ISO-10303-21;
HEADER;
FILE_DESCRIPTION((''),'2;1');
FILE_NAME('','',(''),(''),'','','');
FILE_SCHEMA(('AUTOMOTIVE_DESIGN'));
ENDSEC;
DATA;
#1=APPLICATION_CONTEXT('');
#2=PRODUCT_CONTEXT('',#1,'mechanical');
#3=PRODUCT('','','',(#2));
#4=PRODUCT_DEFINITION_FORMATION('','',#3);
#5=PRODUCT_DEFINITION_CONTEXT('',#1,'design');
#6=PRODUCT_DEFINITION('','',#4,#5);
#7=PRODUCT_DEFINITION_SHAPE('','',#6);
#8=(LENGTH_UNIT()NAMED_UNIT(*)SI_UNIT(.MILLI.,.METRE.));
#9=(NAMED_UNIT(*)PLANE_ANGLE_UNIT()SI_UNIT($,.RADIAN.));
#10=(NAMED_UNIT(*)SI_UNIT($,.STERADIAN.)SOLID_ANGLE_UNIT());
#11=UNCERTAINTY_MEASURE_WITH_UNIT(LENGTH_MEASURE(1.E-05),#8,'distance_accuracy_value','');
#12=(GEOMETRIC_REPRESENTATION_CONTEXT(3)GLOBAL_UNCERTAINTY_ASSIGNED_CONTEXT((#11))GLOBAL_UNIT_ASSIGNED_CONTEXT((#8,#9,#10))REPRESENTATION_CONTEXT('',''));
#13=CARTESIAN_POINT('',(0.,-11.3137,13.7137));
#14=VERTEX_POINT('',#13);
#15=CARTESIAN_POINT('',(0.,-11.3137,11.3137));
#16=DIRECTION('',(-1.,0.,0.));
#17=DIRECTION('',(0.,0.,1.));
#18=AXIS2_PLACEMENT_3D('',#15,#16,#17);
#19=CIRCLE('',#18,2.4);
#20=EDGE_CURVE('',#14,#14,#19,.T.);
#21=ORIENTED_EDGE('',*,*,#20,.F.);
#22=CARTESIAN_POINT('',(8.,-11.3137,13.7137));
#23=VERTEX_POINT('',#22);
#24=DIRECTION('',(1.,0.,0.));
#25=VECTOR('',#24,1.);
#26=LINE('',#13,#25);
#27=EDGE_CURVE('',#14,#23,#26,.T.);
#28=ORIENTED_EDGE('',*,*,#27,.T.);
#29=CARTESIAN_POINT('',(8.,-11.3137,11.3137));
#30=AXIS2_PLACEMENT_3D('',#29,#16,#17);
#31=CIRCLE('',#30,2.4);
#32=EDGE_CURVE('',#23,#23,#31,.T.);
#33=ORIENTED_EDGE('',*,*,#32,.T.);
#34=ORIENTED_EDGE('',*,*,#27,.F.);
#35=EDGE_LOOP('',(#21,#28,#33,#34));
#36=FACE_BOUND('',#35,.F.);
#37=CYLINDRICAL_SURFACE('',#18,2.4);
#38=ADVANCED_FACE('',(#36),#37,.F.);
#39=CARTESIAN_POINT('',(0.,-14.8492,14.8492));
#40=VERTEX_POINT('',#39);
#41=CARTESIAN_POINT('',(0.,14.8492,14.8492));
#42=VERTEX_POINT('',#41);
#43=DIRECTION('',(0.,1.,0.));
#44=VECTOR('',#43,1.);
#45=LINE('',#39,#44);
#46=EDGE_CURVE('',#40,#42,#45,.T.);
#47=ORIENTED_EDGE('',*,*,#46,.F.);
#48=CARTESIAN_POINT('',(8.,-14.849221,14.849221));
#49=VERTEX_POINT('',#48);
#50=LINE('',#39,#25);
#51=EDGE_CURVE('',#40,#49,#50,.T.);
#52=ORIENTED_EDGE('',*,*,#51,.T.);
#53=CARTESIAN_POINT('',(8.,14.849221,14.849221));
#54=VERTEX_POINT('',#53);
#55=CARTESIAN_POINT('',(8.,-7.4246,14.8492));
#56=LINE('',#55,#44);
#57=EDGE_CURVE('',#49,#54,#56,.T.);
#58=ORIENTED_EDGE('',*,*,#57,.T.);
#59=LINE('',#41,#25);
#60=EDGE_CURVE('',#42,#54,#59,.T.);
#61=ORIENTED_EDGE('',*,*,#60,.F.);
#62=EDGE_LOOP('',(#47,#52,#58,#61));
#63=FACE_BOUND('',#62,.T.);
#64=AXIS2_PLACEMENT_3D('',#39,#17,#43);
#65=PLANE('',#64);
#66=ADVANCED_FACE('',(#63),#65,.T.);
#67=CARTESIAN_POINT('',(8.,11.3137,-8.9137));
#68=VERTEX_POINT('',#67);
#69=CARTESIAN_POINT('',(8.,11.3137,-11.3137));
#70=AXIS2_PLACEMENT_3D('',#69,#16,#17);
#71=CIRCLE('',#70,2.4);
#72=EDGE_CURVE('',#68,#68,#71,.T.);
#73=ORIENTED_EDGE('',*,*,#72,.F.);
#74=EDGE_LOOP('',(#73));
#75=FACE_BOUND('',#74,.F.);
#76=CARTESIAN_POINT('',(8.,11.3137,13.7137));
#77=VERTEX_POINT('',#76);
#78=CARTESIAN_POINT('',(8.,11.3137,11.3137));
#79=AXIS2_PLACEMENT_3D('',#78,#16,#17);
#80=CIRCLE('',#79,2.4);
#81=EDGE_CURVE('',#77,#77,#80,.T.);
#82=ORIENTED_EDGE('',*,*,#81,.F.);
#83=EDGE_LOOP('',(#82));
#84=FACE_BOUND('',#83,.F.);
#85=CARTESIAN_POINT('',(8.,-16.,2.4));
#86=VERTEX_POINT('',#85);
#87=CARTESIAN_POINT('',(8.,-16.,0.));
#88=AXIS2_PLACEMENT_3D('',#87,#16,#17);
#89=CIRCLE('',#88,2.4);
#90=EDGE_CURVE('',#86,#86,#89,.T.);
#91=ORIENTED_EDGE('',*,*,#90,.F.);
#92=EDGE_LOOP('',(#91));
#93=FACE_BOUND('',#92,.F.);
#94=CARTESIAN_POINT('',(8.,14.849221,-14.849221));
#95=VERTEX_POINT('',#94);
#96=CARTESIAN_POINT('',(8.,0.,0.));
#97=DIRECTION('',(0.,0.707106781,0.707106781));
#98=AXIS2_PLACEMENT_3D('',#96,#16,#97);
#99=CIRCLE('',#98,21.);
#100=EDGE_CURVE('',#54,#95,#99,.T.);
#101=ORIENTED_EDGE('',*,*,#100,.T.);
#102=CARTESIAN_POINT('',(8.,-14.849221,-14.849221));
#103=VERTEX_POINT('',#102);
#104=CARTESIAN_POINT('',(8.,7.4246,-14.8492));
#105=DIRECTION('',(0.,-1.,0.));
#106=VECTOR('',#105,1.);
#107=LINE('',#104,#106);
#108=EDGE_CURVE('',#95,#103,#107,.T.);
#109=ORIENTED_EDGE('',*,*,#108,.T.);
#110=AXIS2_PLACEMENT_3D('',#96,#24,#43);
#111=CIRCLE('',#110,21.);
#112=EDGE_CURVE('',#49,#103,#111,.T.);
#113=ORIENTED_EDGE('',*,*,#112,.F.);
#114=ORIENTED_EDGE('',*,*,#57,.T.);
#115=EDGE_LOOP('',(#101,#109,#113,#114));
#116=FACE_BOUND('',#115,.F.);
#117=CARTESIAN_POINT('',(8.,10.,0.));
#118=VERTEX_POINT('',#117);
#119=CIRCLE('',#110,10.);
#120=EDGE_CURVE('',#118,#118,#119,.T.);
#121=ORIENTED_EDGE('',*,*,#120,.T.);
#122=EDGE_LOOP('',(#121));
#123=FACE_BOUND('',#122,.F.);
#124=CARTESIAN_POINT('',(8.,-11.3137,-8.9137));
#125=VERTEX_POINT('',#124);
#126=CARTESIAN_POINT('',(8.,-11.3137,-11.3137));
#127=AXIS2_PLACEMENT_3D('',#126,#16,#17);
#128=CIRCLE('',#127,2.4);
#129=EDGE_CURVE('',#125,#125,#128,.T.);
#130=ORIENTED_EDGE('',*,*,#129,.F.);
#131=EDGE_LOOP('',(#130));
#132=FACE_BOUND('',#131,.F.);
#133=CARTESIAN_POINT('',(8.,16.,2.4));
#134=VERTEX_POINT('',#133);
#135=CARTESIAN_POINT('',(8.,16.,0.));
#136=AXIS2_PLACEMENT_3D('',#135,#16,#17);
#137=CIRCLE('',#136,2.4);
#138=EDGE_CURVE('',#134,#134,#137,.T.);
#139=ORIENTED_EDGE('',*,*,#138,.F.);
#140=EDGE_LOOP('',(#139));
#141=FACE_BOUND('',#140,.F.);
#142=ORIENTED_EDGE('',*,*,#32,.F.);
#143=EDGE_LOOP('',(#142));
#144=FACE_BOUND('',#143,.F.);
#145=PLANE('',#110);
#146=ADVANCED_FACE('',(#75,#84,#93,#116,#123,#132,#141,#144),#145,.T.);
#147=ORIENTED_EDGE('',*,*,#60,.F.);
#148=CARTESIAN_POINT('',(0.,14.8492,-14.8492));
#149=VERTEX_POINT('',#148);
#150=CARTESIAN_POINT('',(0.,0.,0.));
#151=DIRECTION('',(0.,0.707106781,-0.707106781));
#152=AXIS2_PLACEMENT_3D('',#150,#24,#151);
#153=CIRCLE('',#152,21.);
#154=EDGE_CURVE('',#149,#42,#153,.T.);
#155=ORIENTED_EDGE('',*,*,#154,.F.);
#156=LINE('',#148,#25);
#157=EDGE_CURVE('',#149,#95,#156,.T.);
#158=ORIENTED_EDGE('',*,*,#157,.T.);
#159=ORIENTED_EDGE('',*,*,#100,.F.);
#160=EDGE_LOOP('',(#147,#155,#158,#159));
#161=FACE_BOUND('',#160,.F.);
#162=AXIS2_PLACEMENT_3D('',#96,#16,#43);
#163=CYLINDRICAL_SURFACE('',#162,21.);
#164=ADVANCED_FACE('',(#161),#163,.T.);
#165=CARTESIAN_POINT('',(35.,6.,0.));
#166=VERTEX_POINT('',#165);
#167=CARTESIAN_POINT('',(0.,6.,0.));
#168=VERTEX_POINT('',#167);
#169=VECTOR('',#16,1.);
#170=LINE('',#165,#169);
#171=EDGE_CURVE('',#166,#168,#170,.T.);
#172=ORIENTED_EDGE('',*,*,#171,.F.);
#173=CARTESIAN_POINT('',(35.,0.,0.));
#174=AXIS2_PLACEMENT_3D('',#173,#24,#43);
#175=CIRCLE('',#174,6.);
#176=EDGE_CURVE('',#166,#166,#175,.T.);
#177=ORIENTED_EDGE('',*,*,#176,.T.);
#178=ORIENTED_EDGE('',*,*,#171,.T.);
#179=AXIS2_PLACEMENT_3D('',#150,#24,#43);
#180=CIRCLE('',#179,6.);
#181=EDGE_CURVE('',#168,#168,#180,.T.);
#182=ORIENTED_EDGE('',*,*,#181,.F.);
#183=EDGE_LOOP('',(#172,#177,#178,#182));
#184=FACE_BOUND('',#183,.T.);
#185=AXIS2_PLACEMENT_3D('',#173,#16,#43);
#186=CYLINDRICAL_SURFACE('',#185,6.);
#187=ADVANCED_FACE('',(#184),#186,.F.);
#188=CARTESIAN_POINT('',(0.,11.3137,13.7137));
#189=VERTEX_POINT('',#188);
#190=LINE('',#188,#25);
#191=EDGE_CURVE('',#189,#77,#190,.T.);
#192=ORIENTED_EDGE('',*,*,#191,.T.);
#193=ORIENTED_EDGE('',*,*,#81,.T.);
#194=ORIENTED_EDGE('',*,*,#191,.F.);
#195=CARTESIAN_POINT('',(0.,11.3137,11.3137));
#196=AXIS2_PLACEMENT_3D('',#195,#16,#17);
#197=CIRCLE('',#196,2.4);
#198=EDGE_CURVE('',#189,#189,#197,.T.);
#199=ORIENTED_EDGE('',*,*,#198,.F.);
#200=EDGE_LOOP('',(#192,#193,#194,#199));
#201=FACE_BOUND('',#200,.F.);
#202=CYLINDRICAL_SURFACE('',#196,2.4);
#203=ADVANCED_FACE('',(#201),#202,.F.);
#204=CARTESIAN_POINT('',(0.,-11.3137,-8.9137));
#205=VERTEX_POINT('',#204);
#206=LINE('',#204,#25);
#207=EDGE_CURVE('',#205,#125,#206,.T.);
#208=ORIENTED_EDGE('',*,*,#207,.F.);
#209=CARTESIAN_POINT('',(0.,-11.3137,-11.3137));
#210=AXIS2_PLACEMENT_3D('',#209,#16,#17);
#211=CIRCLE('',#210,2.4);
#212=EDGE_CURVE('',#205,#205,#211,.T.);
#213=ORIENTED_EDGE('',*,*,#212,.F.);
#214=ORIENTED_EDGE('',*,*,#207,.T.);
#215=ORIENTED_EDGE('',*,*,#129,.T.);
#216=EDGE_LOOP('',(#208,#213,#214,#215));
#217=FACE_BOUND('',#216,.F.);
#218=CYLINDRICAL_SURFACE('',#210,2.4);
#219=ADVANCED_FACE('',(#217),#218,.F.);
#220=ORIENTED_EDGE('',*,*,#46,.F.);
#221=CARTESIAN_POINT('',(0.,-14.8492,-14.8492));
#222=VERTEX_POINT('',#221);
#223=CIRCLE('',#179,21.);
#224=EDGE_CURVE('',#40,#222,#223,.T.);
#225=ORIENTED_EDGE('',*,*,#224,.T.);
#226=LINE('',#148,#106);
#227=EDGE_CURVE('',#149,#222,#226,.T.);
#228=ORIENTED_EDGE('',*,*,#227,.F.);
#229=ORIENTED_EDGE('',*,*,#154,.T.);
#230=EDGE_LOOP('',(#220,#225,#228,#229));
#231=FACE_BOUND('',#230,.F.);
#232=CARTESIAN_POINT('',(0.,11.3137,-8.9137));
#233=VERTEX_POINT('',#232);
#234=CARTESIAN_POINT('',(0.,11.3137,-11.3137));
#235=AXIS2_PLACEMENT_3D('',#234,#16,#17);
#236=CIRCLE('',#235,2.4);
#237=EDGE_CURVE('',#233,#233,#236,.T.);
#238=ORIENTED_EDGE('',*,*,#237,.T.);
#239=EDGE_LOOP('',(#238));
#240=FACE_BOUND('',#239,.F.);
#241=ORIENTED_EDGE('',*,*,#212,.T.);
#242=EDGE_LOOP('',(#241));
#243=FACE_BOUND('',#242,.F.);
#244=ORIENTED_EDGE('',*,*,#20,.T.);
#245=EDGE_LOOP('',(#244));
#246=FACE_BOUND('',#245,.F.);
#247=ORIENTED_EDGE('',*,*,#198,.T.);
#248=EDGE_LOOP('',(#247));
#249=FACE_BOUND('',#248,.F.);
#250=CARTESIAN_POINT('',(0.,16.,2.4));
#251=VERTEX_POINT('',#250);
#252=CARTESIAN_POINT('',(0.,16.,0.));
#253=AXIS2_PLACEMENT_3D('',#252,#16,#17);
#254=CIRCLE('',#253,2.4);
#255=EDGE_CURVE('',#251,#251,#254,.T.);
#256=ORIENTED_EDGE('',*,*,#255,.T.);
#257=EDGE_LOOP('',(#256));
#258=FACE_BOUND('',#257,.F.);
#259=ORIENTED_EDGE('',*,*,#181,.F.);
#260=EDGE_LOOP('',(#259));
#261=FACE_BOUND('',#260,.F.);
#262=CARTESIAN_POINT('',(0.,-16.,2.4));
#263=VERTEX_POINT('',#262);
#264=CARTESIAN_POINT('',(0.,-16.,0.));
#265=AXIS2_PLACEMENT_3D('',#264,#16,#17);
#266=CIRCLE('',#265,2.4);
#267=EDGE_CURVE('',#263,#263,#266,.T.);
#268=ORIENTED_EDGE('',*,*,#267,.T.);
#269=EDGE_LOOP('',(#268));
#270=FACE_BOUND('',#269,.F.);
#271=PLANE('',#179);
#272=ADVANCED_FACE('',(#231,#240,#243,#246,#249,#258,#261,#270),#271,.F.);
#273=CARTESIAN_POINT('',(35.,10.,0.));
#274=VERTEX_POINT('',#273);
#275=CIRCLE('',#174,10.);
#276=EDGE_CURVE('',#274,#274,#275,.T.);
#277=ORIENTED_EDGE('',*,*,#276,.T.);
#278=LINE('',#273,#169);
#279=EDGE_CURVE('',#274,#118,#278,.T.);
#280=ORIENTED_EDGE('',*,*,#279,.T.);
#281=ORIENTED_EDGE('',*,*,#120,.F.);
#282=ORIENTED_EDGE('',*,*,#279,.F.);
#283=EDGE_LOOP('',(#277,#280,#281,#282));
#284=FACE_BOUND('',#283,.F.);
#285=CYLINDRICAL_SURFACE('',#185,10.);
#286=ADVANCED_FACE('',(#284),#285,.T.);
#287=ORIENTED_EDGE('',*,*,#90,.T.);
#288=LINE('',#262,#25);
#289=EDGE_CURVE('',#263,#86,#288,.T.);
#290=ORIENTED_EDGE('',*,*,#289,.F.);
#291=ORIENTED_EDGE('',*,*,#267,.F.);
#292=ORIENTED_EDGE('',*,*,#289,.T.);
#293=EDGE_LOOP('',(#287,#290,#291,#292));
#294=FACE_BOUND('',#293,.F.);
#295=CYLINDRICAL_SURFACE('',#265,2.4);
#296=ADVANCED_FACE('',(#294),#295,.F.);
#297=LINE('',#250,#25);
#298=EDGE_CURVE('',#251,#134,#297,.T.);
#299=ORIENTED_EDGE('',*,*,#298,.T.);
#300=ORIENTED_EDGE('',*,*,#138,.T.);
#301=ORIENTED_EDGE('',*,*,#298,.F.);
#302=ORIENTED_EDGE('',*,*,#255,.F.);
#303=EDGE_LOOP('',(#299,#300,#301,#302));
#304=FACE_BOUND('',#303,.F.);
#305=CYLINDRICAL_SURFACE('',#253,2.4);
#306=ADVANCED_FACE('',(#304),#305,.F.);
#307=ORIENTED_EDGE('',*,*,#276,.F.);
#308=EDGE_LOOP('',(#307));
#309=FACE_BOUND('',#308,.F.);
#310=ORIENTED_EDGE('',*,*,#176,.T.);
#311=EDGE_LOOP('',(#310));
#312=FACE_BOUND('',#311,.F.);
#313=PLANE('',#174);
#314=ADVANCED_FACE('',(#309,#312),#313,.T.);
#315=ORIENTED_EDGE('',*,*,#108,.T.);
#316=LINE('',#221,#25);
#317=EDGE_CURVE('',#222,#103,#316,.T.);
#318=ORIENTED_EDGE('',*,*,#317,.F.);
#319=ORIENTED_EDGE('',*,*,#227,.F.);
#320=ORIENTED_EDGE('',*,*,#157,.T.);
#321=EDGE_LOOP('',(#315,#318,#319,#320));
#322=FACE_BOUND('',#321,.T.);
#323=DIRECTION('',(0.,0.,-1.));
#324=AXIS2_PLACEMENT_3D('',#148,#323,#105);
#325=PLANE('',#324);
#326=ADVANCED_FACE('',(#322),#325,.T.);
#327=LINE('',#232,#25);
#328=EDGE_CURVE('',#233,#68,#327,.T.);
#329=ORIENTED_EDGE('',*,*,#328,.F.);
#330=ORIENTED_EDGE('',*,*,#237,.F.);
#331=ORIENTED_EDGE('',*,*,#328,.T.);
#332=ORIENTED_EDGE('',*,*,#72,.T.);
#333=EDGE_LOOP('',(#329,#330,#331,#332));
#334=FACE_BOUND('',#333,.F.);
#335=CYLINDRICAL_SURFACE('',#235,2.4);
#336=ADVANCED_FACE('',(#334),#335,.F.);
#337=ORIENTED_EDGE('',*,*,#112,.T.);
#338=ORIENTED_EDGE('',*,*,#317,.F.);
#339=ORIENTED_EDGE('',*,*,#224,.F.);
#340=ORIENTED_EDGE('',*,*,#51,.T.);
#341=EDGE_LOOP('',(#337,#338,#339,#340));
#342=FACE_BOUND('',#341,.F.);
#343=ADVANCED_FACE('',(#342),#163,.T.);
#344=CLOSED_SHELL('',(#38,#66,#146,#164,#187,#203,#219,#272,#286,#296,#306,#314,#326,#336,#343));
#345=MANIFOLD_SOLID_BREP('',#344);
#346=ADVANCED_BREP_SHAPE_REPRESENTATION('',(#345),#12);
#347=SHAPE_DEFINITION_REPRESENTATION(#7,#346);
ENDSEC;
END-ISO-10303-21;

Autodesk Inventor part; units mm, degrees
ref_plane "YZ Plane" through (0, 0, 0) normal (1, 0, 0) x (0, 1, 0)
ref_plane "XZ Plane" through (0, 0, 0) normal (0, 1, 0) x (-1, 0, 0)
ref_plane "XY Plane" through (0, 0, 0) normal (0, 0, 1) x (1, 0, 0)
sketch "Sketch1" plane through (0, 0, 0) normal (0, 0, 1) x (1, 0, 0)
  line L0 (0, 21) -> (0, 6)
  line L1 (0, 0) -> (35, 0) construction
  line L2 (35, 0) -> (35, 6) construction
  line L3 (35, 10) -> (8, 10)
  line L4 (8, 10) -> (8, 21)
  line L5 (8, 21) -> (0, 21)
  line L6 (35, 6) -> (0, 6)
  line L7 (0, 6) -> (0, 0) construction
  line L8 (35, 6) -> (35, 10)
  dimension "d0" = 10
  dimension "d1" = 21
  dimension "d2" = 8
  dimension "d3" = 35
  dimension "d4" = 6
revolve "Revolution1" add sketch "Sketch1" angle 360 about axis through (0, 0, 0) along (1, 0, 0)
sketch "Sketch2" plane through (0, 0, 0) normal (-1, 0, 0) x (0, 0, 1)
  circle A0 centre (0, 0) radius 21 projected
  circle A1 centre (0, 0) radius 21 projected
  line L0 (-14.8492, 14.8492) -> (-14.8492, -14.8492)
  line L1 (14.8492, -14.8492) -> (14.8492, 14.8492)
  line L2 (0, 0) -> (14.8492, 14.8492) construction
  circle A2 centre (0, 16) radius 2.4
  circle A3 centre (11.3137, 11.3137) radius 2.4
  circle A4 centre (11.3137, -11.3137) radius 2.4
  circle A5 centre (0, 0) radius 16 construction
  circle A6 centre (-11.3137, 11.3137) radius 2.4
  circle A7 centre (0, -16) radius 2.4
  circle A8 centre (-11.3137, -11.3137) radius 2.4
  point P0 (-14.8492, -14.8492)
  dimension "d6" = 45
  dimension "d7" = 32
  dimension "d8" = 4.8
extrude "Extrusion1" cut sketch "Sketch2" against normal blind 10 contours A0 L1 | L0 A0 | A2 | A3 | A4 | A6 | A7 | A8
properties part number "SFU1204-Housing"
